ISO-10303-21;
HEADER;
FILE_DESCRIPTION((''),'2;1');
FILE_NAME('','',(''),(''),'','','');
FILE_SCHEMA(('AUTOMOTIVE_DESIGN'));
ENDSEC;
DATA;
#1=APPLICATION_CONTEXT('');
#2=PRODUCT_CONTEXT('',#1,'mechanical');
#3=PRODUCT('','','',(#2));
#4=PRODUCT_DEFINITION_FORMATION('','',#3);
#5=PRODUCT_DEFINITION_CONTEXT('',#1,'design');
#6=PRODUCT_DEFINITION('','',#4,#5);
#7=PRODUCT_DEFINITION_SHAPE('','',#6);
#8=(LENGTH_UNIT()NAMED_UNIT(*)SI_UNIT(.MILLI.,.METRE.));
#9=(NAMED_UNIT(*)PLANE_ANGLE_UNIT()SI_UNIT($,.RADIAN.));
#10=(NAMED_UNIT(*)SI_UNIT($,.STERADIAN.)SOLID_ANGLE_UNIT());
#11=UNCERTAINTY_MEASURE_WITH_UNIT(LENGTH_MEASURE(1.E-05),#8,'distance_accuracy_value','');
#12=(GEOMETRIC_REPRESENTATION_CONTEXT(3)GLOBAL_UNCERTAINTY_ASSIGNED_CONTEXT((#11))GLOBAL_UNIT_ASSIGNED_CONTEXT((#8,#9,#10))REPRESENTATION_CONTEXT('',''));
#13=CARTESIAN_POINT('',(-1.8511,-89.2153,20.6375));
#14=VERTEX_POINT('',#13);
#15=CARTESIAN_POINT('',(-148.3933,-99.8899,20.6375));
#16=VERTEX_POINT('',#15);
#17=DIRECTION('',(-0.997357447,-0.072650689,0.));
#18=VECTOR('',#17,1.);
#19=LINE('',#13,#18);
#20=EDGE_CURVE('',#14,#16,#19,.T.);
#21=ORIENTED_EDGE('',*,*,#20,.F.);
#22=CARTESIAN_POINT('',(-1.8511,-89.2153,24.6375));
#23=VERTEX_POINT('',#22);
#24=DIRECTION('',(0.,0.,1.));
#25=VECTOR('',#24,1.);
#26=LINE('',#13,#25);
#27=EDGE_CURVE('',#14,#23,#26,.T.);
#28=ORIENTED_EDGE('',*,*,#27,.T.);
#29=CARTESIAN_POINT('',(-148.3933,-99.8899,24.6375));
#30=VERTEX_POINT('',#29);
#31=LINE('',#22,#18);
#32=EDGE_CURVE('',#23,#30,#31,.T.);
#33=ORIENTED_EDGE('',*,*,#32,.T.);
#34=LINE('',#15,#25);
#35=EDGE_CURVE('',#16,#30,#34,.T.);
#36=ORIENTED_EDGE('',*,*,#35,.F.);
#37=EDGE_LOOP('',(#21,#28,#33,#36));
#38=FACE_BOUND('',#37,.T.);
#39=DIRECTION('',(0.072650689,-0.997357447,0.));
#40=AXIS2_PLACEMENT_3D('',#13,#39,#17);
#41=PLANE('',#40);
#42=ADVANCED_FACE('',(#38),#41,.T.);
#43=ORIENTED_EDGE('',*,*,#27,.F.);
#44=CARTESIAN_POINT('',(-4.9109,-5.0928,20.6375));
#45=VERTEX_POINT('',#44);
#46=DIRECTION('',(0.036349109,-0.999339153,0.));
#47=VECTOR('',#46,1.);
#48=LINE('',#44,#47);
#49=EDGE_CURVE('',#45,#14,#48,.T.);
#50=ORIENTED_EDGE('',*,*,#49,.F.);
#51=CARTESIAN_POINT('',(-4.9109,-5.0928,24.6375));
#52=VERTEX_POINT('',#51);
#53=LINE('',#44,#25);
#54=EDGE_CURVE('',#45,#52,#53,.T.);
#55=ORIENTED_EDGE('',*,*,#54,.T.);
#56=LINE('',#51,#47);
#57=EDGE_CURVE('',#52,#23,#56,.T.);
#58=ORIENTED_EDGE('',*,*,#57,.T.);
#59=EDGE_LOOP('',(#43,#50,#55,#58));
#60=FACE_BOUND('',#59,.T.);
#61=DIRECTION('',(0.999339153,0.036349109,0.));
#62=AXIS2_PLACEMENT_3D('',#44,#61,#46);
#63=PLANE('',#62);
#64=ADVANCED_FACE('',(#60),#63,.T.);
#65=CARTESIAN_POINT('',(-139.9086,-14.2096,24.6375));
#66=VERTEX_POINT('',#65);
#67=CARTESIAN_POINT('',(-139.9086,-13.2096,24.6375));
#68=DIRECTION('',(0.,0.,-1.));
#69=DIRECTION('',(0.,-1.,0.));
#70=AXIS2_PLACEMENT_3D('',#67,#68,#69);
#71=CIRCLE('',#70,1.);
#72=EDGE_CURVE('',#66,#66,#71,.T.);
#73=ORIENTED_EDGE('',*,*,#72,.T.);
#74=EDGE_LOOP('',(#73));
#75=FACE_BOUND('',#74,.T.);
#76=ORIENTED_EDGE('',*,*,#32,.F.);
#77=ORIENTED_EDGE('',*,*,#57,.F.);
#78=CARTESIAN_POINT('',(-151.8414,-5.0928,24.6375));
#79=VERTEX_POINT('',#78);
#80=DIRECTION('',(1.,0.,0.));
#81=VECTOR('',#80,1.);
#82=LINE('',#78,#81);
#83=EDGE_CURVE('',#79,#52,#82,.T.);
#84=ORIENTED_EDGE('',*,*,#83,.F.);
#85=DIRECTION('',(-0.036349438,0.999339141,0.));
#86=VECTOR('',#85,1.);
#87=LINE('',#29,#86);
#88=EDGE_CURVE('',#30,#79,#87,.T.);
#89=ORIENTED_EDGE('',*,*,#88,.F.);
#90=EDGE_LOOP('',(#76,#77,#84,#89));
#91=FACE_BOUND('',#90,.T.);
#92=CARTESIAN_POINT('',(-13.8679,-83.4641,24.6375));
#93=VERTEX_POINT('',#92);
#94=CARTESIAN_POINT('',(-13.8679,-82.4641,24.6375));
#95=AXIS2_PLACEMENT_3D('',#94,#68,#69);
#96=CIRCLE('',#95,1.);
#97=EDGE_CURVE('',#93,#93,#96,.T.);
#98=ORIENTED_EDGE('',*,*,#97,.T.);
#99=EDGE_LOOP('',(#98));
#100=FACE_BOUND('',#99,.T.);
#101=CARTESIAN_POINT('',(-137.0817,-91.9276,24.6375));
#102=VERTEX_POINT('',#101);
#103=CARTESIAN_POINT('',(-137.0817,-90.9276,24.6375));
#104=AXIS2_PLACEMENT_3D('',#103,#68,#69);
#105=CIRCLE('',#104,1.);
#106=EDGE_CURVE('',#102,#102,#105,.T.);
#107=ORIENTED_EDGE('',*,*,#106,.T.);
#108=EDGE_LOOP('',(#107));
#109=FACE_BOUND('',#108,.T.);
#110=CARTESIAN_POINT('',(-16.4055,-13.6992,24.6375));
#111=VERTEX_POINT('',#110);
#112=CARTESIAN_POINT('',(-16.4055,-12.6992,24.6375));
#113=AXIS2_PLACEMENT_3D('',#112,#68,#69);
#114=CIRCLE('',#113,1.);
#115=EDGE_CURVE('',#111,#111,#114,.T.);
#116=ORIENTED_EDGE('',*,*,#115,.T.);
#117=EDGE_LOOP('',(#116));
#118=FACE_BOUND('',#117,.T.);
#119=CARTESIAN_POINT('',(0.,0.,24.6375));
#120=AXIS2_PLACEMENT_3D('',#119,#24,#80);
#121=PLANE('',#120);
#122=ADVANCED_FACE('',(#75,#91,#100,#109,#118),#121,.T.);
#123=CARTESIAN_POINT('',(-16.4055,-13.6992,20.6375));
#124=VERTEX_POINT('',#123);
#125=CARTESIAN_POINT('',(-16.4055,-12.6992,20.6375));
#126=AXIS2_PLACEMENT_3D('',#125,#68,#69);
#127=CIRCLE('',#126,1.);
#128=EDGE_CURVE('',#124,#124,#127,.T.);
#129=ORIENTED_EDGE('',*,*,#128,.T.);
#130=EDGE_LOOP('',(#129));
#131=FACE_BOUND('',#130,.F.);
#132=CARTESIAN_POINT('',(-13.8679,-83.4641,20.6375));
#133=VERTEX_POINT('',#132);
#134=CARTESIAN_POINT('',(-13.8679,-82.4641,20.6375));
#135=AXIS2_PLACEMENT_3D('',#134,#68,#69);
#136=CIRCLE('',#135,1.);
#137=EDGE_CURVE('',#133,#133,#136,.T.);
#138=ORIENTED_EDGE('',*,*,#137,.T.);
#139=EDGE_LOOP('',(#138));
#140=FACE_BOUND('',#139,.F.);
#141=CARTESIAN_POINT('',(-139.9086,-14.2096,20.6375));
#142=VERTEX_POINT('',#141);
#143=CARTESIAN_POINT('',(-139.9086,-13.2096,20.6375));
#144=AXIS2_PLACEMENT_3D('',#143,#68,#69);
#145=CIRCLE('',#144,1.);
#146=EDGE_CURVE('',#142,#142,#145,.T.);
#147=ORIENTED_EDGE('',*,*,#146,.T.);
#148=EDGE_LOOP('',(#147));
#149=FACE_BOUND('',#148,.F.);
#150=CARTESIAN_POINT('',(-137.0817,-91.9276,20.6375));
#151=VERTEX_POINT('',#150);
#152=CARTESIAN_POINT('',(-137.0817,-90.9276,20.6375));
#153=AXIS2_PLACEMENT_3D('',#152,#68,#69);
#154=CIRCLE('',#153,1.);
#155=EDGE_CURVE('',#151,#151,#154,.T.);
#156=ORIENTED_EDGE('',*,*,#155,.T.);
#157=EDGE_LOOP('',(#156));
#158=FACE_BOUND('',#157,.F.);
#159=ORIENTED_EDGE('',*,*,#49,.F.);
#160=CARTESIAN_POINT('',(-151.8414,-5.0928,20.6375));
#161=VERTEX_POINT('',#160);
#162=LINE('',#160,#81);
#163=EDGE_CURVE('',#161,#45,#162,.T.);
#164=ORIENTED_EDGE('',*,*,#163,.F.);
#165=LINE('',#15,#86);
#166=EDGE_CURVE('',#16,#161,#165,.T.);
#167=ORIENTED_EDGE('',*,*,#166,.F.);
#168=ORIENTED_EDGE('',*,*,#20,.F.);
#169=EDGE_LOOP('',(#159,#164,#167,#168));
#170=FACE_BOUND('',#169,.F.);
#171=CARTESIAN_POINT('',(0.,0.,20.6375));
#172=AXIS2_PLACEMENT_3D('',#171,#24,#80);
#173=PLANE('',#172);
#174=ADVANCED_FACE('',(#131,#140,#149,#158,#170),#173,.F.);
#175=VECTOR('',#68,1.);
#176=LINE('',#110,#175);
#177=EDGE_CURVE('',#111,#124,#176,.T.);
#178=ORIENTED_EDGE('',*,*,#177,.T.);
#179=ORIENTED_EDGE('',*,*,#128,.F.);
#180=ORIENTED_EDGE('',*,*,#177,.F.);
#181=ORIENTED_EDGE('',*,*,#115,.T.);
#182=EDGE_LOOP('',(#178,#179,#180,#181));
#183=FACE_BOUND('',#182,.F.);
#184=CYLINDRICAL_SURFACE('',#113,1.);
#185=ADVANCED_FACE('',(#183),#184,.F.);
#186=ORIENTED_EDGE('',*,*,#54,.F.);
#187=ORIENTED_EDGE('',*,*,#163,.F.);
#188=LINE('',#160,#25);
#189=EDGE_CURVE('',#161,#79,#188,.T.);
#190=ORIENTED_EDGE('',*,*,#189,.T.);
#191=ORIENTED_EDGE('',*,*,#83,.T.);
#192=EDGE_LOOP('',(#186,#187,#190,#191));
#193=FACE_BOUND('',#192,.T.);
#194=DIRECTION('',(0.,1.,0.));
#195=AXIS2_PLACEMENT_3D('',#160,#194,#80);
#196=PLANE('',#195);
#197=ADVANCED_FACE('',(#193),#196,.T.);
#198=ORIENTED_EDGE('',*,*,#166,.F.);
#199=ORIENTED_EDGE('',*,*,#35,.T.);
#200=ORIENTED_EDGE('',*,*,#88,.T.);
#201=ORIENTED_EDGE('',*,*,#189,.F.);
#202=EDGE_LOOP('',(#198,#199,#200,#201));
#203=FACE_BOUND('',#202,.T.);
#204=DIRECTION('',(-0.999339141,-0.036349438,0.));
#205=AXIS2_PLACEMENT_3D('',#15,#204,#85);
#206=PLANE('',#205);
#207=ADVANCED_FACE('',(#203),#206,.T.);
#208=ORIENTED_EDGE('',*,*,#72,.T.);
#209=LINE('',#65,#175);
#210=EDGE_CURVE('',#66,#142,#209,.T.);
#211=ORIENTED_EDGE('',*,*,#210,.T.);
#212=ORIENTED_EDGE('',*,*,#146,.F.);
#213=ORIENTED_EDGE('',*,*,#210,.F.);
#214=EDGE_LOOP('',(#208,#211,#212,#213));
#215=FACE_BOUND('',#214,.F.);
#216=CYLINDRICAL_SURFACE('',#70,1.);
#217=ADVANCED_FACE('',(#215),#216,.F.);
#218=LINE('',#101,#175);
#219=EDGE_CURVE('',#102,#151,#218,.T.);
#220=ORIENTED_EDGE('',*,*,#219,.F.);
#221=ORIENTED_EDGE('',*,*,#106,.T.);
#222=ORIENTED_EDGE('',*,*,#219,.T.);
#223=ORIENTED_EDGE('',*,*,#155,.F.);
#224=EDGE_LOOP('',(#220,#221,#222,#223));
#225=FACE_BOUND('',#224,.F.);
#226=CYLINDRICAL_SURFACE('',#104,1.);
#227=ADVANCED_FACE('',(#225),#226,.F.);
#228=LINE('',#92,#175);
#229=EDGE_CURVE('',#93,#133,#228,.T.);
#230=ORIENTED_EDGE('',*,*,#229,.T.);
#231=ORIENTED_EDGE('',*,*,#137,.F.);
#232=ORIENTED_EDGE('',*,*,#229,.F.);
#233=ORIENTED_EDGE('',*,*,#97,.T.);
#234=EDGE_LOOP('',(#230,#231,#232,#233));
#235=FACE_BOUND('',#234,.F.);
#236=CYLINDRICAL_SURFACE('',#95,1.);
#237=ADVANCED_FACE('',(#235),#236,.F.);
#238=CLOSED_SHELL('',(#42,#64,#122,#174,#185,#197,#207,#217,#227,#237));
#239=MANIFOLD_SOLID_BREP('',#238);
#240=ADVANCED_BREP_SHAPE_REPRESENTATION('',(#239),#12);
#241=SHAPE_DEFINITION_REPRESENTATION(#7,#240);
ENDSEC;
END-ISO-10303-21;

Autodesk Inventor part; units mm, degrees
ref_plane "YZ Plane" through (0, 0, 0) normal (1, 0, 0) x (0, 1, 0)
ref_plane "XZ Plane" through (0, 0, 0) normal (0, 1, 0) x (-1, 0, 0)
ref_plane "Work Plane1" through (0, 0, 20.6375) normal (0, 0, 1) x (1, 0, 0)
sketch "Sketch2" plane through (0, 0, 20.6375) normal (0, 0, 1) x (1, 0, 0)
  line L0 (-10.7157, -11.1125) -> (-145.5988, -11.1125)
  line L1 (-142.6045, -93.4325) -> (-8.0778, -83.6332)
  line L2 (-10.7157, -11.1125) -> (-8.0778, -83.6332)
  line L3 (-145.5988, -11.1125) -> (-142.6045, -93.4325)
  line L4 (-1.8511, -89.2153) -> (-148.3933, -99.8899)
  line L5 (-148.3933, -99.8899) -> (-151.8414, -5.0928)
  line L6 (-151.8414, -5.0928) -> (-4.9109, -5.0928)
  line L7 (-4.9109, -5.0928) -> (-1.8511, -89.2153)
  point P0 (0, 0)
extrude "Extrusion1" add sketch "Sketch2" along normal blind 4 contours L2 L1 L3 L0 | L4 L5 L6 L7
sketch "Sketch3" plane through (0, 0, 24.6375) normal (0, 0, 1) x (1, 0, 0)
  line L0 (-151.8414, -5.0928) -> (-148.3933, -99.8899) projected
  line L1 (-1.8511, -89.2153) -> (-4.9109, -5.0928) projected
  line L2 (-3.381, -47.1541) -> (-150.1174, -52.4913) construction
  point P0 (0, 0)
  point P1 (-16.4055, -12.6992)
  point P2 (-139.9086, -13.2096)
  point P3 (-13.8679, -82.4641)
  point P4 (-137.0817, -90.9276)
hole "Hole1" at (-16.4055, -12.6992, 24.6375) at (-139.9086, -13.2096, 24.6375) at (-13.8679, -82.4641, 24.6375) at (-137.0817, -90.9276, 24.6375) direction (0, 0, -1) diameter 2 end through all
properties part number "Skirt"
